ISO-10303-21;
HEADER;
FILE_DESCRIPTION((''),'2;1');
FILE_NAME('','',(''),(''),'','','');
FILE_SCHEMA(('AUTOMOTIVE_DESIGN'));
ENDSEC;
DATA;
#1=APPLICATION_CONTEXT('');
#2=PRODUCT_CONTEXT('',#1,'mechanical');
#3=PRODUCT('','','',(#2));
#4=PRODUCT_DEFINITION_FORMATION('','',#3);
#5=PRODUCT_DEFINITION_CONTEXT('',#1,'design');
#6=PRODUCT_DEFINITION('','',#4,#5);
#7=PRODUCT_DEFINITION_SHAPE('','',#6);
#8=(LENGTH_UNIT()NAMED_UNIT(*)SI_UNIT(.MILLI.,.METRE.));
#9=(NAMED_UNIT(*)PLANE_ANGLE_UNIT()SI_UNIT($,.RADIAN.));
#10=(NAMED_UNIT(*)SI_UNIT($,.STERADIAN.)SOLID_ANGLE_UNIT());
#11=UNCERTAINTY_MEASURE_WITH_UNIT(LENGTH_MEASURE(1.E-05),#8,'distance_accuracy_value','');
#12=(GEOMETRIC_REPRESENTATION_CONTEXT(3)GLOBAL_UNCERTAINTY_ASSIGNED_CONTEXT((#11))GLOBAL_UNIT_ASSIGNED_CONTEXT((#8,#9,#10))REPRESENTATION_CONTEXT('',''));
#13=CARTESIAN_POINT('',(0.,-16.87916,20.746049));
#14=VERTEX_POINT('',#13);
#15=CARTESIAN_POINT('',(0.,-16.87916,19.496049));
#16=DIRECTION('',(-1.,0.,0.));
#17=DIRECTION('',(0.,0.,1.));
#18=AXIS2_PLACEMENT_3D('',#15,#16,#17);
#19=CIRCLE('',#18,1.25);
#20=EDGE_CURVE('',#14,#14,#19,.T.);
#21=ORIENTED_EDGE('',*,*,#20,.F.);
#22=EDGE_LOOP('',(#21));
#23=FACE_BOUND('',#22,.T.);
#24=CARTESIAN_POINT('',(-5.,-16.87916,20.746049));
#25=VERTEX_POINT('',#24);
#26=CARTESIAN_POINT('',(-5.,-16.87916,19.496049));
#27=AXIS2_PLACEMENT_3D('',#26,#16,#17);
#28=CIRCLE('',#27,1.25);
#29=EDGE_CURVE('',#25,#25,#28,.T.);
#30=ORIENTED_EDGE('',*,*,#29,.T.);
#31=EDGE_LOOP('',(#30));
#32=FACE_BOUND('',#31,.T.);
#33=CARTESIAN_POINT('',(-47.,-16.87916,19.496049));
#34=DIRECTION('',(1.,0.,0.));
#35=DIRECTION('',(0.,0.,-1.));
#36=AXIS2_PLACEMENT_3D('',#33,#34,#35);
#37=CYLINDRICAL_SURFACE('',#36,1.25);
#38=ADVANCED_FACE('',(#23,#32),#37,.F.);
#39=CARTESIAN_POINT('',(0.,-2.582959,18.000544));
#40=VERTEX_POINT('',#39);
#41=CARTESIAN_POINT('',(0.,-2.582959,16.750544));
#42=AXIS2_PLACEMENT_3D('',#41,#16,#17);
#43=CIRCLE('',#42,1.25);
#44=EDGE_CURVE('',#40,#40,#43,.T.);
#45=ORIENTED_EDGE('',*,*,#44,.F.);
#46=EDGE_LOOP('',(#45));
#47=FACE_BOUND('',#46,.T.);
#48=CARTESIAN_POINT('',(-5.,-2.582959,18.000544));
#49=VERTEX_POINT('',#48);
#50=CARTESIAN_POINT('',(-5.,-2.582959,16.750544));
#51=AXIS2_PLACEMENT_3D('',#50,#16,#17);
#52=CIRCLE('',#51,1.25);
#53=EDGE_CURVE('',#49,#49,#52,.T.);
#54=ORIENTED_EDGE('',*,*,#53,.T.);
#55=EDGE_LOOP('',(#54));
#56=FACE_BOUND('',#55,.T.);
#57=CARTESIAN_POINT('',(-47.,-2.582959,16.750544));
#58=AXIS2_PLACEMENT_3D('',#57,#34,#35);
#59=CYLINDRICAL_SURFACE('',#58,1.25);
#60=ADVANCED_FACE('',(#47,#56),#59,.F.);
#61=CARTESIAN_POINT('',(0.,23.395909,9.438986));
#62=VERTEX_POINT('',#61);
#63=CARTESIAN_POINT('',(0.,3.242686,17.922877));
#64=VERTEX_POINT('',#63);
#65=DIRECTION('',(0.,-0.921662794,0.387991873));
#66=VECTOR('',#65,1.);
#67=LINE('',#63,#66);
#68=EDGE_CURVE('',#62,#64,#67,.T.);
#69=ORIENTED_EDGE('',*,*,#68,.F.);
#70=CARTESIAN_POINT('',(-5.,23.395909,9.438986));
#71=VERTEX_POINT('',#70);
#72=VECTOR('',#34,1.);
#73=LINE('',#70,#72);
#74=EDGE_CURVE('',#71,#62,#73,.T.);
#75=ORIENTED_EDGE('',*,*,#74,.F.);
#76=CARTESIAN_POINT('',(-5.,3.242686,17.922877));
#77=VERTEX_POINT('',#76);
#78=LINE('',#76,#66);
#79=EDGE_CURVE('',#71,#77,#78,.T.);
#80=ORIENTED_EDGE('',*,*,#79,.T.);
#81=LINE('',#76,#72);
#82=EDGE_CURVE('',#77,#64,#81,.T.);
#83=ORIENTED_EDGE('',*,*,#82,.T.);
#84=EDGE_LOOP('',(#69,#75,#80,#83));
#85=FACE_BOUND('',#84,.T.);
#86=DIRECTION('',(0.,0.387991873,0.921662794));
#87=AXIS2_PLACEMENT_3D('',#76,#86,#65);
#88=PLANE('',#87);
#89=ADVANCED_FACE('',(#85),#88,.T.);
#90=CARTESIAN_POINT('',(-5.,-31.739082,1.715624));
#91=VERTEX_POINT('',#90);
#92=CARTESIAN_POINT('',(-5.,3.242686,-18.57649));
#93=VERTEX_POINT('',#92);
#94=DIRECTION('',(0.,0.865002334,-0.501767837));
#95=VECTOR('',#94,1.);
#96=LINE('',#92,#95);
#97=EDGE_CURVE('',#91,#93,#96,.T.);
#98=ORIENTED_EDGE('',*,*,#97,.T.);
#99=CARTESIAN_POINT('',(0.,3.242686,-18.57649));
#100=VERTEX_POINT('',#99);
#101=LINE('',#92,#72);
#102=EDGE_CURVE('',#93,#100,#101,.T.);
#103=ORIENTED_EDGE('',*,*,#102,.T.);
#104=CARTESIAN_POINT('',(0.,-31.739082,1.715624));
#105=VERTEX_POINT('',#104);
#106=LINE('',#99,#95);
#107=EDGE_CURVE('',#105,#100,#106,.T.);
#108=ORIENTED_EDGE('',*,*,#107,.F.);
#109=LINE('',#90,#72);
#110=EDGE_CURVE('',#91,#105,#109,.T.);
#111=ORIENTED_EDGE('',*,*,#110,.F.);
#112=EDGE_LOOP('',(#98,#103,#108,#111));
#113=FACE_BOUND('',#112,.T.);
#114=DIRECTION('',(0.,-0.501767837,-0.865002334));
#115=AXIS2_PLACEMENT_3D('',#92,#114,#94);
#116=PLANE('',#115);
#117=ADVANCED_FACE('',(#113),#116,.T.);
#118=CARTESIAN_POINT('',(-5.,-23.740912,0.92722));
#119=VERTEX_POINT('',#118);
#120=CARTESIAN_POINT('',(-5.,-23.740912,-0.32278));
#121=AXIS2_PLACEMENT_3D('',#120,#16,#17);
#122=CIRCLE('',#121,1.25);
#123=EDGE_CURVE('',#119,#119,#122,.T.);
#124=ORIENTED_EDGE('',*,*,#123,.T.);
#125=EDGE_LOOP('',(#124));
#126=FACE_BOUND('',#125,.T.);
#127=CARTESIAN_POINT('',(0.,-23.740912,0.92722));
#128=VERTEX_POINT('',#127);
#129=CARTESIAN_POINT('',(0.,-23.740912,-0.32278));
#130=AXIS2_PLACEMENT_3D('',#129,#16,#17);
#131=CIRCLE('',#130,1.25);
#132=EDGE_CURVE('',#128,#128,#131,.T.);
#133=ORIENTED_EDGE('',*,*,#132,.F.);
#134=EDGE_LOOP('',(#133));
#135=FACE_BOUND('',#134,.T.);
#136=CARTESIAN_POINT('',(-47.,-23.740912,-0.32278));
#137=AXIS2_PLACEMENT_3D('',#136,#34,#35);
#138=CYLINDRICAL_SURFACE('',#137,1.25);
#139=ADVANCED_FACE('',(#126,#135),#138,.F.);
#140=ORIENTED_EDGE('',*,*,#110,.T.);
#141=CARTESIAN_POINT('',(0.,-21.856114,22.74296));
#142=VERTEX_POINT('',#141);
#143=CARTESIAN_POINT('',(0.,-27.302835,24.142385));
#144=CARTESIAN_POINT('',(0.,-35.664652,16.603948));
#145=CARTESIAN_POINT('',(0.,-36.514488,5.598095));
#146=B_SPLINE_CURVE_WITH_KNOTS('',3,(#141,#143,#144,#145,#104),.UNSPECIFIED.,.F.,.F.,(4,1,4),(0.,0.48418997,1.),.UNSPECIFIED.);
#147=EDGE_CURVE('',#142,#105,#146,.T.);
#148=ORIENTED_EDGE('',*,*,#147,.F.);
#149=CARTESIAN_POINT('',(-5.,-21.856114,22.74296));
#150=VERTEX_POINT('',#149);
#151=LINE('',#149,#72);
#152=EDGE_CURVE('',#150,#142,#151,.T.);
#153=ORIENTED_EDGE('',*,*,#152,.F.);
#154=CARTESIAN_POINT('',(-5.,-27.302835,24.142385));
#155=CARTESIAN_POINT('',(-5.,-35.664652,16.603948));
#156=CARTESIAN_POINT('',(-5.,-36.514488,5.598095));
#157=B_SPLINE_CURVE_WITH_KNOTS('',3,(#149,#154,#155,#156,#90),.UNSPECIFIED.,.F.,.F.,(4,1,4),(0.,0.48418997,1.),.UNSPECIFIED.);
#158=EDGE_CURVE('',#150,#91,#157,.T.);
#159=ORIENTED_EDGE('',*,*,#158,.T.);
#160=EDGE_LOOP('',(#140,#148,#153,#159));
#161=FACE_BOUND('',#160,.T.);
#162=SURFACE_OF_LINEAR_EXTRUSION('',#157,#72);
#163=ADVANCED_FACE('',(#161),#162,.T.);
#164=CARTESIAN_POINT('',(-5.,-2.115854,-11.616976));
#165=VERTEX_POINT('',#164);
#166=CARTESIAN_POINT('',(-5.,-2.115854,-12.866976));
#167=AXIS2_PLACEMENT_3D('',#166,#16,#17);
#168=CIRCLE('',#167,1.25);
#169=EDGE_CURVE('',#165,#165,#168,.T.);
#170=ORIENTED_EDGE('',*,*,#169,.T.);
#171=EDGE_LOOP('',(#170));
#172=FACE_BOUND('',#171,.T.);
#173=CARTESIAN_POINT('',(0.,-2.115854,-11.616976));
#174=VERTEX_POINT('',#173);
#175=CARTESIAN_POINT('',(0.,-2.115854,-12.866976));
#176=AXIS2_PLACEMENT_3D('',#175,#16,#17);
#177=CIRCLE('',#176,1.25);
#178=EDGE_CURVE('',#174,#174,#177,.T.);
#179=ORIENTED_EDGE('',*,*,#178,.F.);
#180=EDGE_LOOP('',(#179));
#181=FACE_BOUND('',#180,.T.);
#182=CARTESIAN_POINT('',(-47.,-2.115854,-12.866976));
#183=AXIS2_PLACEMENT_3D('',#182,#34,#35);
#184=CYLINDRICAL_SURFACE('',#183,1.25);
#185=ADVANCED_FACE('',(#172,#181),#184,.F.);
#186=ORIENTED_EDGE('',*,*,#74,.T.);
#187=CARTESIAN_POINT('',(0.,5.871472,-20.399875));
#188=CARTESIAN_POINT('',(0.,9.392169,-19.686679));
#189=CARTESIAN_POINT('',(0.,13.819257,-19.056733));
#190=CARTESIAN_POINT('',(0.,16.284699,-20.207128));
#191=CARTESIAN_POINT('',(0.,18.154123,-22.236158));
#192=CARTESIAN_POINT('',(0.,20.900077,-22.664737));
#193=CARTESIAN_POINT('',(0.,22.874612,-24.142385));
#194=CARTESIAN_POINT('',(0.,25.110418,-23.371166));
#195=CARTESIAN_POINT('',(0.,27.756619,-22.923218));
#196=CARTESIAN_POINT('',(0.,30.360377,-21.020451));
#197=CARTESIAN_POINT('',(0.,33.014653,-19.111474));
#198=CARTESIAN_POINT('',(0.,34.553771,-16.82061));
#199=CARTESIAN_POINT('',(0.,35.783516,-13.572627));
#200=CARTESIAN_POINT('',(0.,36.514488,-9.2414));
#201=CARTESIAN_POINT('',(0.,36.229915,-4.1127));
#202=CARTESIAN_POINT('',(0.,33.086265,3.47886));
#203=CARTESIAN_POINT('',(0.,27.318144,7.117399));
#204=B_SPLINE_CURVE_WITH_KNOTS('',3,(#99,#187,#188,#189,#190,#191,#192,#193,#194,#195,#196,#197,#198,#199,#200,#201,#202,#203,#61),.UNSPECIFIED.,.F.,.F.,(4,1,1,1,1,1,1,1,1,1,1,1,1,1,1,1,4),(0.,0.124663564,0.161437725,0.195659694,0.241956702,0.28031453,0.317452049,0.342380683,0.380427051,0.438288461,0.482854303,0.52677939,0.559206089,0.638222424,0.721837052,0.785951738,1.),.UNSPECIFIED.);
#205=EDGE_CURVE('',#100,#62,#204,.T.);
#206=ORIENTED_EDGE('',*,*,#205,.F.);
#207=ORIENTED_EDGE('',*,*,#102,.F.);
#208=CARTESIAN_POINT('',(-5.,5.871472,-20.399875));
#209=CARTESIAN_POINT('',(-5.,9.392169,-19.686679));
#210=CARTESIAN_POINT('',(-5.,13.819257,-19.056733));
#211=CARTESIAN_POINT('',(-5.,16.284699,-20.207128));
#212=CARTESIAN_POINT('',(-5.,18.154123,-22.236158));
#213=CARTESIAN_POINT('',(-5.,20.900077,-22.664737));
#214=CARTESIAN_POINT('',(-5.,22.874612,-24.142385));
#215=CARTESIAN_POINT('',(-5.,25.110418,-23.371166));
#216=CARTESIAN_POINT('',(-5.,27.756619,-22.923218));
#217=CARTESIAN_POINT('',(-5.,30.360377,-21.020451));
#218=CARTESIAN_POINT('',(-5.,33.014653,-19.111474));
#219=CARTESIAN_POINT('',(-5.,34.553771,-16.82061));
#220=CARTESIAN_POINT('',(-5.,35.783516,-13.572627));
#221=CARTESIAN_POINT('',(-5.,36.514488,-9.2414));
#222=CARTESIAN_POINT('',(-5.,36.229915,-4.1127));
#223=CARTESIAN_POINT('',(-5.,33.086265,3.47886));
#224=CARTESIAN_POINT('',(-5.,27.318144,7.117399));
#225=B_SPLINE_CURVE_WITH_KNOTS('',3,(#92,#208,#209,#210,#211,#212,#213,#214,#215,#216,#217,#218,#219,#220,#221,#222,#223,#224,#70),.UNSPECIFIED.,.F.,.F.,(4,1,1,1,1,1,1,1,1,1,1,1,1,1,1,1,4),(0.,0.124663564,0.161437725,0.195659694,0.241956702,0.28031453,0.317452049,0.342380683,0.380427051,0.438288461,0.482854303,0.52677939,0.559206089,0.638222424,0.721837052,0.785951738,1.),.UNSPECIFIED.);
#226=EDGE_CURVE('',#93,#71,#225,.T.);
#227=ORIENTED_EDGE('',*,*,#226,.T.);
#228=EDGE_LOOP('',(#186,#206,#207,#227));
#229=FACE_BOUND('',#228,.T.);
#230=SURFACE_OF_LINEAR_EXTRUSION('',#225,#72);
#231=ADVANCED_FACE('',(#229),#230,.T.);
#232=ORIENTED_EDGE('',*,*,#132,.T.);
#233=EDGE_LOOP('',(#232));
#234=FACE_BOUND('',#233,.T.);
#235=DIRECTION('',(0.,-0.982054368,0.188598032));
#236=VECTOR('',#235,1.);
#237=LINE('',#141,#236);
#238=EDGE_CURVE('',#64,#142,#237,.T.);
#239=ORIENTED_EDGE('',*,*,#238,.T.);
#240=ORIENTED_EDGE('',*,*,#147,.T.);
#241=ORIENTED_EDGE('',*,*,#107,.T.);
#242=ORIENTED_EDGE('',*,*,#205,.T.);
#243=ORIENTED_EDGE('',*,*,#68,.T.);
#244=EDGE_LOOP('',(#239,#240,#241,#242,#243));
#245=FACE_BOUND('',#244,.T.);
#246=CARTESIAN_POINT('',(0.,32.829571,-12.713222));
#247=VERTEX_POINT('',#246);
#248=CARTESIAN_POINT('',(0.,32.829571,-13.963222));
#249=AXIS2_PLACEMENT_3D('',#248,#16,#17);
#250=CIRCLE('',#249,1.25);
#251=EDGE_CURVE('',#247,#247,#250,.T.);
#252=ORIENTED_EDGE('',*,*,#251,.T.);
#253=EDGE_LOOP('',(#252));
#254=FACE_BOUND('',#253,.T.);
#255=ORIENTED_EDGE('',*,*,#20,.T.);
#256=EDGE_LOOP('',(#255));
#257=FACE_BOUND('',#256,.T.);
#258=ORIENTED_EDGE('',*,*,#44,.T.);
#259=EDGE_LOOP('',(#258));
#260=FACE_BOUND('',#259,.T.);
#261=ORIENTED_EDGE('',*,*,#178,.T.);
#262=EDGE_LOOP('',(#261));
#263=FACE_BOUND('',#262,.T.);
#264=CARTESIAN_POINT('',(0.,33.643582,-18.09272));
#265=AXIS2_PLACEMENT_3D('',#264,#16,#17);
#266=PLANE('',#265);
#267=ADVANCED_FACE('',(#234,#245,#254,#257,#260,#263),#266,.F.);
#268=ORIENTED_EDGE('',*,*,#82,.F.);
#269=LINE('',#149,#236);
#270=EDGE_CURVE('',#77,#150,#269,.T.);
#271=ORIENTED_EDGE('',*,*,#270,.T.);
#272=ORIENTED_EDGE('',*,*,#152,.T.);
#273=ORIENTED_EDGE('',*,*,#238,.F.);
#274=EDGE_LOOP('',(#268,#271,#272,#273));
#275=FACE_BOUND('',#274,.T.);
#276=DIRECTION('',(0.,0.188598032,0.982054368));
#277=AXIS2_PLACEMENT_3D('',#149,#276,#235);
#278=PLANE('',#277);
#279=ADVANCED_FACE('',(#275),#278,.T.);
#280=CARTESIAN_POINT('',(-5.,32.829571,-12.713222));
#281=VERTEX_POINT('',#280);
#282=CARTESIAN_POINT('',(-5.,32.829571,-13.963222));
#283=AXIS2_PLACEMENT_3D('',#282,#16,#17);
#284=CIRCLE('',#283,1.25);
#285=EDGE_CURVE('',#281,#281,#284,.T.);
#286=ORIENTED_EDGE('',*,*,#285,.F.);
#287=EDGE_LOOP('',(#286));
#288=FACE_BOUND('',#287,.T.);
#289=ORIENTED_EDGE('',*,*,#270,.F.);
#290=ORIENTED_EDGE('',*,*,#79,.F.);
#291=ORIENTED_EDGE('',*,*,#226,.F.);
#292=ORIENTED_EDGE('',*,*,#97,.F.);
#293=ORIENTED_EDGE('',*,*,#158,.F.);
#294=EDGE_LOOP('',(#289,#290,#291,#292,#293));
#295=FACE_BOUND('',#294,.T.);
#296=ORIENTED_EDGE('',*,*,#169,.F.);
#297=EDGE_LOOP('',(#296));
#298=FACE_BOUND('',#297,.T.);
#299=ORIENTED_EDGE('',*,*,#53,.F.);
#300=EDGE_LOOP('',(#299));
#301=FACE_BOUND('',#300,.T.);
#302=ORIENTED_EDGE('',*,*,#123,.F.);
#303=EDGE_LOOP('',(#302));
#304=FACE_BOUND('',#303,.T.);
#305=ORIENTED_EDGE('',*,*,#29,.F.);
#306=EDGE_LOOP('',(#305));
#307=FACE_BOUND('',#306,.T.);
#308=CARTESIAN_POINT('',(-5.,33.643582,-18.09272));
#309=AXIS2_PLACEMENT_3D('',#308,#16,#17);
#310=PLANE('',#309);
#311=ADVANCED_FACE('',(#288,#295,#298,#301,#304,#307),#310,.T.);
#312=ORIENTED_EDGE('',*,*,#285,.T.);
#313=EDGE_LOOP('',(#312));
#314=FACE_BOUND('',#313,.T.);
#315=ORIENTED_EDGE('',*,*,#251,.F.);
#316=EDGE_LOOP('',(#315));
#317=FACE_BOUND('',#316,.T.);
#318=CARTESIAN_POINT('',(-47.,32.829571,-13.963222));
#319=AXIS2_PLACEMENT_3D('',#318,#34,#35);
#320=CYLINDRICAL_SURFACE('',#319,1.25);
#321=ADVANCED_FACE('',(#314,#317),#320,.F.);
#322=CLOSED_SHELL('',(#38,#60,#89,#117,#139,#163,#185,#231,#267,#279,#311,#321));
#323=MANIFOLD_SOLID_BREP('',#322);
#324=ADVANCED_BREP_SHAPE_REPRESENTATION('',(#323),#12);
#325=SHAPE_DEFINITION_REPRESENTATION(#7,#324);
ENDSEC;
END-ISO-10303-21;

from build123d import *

# Parameters (mm, degrees)
BOSS_EXTRUDE1_DEPTH = 5
SKETCH2_R           = 1.25
CUT_EXTRUDE2_DEPTH  = 100


with BuildPart() as part:
    # Sketch1 → Boss-Extrude1 (new body)
    with BuildSketch(Plane(origin=(0, 0, 0), x_dir=(0, 0, -1), z_dir=(1, 0, 0))):
        with BuildLine():
            Line((-22.742960493, -21.856113648), (-17.922876831, 3.242686009))
            Line((-17.922876831, 3.242686009), (-9.438985974, 23.395908543))
            add(Edge.make_bspline(
                [(18.57649003, 3.242686009), (20.399875341, 5.871472338), (19.686678584, 9.392169109), (19.056732911, 13.819256879), (20.207128324, 16.284698509), (22.236157968, 18.154123407), (22.664736548, 20.900077477), (24.142385136, 22.874612328), (23.371166039, 25.110417667), (22.923217745, 27.756618982), (21.020450988, 30.360376627), (19.111474243, 33.014652762), (16.820610384, 34.5537712), (13.572626531, 35.783515921), (9.241399662, 36.514487685), (4.112699816, 36.229915261), (-3.478859823, 33.086265385), (-7.117399203, 27.318143956), (-9.438985974, 23.395908543)],
                knots=[0, 0, 0, 0, 0.124663564, 0.161437725, 0.195659694, 0.241956702, 0.28031453, 0.317452049, 0.342380683, 0.380427051, 0.438288461, 0.482854303, 0.52677939, 0.559206089, 0.638222424, 0.721837052, 0.785951738, 1, 1, 1, 1], degree=3))
            Line((18.57649003, 3.242686009), (-1.715623911, -31.739081671))
            add(Edge.make_bspline(
                [(-22.742960493, -21.856113648), (-24.142385136, -27.302834512), (-16.603948378, -35.664651683), (-5.598094876, -36.514487685), (-1.715623911, -31.739081671)],
                knots=[0, 0, 0, 0, 0.48418997, 1, 1, 1, 1], degree=3))
        make_face()
    extrude(amount=-BOSS_EXTRUDE1_DEPTH)

    # Sketch2 → Cut-Extrude2 (cut)
    with BuildSketch(Plane(origin=(53, 0, 0), x_dir=(0, 0, -1), z_dir=(1, 0, 0))):
        with Locations(Location((-16.750543677, -2.582958588, 0), (0, 0, 180))):
            Circle(SKETCH2_R)
        with Locations(Location((-19.496048989, -16.879160193, 0), (0, 0, 180))):
            Circle(SKETCH2_R)
        with Locations(Location((0.322780066, -23.740912204, 0), (0, 0, 180))):
            Circle(SKETCH2_R)
        with Locations(Location((12.866975999, -2.11585386, 0), (0, 0, 180))):
            Circle(SKETCH2_R)
        with Locations(Location((13.963221564, 32.829570985, 0), (0, 0, 180))):
            Circle(SKETCH2_R)
    extrude(amount=-CUT_EXTRUDE2_DEPTH, mode=Mode.SUBTRACT)


solid = part.part
